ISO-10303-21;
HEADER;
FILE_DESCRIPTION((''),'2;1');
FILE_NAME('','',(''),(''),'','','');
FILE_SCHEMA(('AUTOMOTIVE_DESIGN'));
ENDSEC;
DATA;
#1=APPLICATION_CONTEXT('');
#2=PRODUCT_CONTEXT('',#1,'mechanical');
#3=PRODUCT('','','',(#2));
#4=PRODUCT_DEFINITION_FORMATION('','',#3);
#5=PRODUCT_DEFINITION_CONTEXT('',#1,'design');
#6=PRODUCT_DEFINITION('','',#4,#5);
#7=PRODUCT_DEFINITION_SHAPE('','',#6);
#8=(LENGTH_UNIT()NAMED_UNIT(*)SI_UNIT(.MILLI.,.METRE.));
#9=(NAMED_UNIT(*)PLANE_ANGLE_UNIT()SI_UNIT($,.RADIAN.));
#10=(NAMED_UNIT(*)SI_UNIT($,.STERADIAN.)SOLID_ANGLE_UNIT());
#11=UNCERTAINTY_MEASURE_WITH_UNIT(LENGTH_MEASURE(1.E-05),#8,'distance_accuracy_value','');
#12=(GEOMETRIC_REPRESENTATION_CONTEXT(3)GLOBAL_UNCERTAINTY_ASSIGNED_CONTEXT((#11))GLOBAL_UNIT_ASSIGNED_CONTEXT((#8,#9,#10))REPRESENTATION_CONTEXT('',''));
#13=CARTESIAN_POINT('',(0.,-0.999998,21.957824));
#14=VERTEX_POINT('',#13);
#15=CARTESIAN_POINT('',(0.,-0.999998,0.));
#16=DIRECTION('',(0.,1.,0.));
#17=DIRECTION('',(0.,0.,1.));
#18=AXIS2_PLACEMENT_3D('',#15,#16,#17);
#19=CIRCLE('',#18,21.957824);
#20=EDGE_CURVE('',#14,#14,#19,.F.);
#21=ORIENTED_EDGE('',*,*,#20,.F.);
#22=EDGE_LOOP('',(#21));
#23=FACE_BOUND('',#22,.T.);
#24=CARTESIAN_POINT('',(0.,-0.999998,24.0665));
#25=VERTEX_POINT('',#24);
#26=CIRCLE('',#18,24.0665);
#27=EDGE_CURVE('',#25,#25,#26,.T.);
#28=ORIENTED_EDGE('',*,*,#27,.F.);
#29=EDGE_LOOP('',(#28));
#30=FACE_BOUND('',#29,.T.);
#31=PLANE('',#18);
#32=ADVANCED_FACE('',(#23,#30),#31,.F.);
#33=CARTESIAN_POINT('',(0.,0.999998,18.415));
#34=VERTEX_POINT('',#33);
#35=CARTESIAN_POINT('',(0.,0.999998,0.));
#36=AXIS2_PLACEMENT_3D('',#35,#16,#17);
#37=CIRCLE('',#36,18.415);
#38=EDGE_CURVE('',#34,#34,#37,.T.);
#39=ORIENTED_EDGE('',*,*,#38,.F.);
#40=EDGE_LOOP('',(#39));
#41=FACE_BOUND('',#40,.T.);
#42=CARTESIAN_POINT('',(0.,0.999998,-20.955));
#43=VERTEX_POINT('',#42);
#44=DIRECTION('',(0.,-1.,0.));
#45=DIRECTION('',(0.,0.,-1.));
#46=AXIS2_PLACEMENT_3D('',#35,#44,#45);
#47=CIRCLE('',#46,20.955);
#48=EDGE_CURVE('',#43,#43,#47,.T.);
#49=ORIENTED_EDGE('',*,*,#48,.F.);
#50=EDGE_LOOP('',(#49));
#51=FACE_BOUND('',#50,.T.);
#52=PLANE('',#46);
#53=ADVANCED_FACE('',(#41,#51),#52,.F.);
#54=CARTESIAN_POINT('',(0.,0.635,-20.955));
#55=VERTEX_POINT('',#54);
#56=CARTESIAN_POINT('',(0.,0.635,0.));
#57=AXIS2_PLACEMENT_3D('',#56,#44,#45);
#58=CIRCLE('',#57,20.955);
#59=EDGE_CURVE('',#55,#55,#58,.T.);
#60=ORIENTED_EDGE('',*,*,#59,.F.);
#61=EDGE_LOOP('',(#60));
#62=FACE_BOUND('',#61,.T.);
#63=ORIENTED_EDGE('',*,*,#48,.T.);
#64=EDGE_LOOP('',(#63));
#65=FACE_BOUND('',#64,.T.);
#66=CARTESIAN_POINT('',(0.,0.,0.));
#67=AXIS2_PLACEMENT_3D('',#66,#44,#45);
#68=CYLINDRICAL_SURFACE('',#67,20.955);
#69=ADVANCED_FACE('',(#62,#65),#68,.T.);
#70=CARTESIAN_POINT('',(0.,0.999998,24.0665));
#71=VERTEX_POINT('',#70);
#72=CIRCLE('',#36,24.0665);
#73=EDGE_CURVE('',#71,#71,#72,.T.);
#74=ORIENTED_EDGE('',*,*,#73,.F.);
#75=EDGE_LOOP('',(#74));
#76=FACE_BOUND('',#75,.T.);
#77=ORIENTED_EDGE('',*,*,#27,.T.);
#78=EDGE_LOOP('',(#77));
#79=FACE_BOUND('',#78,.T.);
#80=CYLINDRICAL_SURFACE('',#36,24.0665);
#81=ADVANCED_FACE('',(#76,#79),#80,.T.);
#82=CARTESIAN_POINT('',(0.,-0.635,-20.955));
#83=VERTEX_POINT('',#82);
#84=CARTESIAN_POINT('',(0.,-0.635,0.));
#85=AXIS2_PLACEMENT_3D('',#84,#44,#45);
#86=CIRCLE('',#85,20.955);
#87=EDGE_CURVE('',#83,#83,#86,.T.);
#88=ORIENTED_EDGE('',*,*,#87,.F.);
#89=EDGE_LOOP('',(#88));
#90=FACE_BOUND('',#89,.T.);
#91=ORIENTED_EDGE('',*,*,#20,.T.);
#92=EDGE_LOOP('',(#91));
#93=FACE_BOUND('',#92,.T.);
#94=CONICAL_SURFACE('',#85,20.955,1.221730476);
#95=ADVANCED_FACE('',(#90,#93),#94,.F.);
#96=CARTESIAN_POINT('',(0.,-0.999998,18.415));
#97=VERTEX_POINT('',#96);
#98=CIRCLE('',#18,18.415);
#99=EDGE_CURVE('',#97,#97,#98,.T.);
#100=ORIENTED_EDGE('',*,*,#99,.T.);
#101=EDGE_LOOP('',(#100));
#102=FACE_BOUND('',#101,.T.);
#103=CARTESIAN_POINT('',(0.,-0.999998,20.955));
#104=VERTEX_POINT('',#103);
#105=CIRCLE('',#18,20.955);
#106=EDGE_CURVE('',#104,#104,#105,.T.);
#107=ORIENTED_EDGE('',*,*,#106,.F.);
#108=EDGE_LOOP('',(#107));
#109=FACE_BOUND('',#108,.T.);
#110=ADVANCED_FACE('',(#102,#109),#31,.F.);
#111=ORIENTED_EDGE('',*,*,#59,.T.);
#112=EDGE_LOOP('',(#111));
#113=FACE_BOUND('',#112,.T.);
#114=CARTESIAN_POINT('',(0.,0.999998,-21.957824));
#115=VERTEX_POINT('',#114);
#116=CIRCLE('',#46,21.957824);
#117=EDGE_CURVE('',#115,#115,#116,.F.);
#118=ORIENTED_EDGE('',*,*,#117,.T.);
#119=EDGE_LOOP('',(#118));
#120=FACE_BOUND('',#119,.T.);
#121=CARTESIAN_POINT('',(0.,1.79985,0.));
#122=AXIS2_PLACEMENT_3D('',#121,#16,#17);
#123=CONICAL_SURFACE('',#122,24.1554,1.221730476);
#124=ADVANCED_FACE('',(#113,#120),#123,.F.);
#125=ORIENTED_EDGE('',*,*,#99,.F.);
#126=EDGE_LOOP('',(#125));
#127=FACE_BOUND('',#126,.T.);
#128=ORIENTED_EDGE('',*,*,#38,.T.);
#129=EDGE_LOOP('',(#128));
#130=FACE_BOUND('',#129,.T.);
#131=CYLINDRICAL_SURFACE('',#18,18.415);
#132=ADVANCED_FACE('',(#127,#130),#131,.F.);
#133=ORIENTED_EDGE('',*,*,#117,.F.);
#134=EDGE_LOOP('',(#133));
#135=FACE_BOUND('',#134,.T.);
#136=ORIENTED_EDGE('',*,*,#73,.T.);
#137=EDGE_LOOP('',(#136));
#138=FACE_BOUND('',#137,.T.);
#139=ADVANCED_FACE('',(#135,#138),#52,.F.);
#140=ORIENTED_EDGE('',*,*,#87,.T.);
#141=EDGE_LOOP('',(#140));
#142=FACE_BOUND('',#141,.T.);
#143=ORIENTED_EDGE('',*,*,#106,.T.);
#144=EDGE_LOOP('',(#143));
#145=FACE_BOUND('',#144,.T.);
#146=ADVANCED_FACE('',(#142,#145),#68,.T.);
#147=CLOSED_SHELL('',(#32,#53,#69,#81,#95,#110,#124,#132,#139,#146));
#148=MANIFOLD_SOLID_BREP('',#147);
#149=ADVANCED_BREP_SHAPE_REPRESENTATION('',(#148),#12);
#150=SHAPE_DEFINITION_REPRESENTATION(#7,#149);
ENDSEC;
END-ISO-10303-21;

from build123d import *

# Parameters (mm, degrees)
SKETCH1_W          = 24.0665
SKETCH1_H          = 1.999996
SKETCH3_R          = 18.415
CUT_EXTRUDE1_DEPTH = 2.999996


with BuildPart() as part:
    # Sketch1 → Revolve1 (revolve)
    with BuildSketch(Plane.XY):
        with Locations((12.03325, 0)):
            Rectangle(SKETCH1_W, SKETCH1_H)
    revolve(axis=Axis((0, 0.999998, 0), (0, -1, 0)))

    # Sketch2 → Cut-Revolve1 (revolve, cut)
    with BuildSketch(Plane.XY):
        Polygon((-20.955, 0.635), (-20.955, 1.799850338), (-24.1554, 1.799850338), align=None)
        Polygon((-24.1554, -1.799850338), (-20.955, -0.635), (-20.955, -1.799850338), align=None)
    revolve(axis=Axis((0, 0, 0), (0, 1, 0)), mode=Mode.SUBTRACT)

    # Sketch3 → Cut-Extrude1 (cut, through all)
    with BuildSketch(Plane(origin=(0, 0.999998, 0), x_dir=(1, 0, 0), z_dir=(0, 1, 0))):
        Circle(SKETCH3_R)
    extrude(amount=-CUT_EXTRUDE1_DEPTH, mode=Mode.SUBTRACT)


solid = part.part
